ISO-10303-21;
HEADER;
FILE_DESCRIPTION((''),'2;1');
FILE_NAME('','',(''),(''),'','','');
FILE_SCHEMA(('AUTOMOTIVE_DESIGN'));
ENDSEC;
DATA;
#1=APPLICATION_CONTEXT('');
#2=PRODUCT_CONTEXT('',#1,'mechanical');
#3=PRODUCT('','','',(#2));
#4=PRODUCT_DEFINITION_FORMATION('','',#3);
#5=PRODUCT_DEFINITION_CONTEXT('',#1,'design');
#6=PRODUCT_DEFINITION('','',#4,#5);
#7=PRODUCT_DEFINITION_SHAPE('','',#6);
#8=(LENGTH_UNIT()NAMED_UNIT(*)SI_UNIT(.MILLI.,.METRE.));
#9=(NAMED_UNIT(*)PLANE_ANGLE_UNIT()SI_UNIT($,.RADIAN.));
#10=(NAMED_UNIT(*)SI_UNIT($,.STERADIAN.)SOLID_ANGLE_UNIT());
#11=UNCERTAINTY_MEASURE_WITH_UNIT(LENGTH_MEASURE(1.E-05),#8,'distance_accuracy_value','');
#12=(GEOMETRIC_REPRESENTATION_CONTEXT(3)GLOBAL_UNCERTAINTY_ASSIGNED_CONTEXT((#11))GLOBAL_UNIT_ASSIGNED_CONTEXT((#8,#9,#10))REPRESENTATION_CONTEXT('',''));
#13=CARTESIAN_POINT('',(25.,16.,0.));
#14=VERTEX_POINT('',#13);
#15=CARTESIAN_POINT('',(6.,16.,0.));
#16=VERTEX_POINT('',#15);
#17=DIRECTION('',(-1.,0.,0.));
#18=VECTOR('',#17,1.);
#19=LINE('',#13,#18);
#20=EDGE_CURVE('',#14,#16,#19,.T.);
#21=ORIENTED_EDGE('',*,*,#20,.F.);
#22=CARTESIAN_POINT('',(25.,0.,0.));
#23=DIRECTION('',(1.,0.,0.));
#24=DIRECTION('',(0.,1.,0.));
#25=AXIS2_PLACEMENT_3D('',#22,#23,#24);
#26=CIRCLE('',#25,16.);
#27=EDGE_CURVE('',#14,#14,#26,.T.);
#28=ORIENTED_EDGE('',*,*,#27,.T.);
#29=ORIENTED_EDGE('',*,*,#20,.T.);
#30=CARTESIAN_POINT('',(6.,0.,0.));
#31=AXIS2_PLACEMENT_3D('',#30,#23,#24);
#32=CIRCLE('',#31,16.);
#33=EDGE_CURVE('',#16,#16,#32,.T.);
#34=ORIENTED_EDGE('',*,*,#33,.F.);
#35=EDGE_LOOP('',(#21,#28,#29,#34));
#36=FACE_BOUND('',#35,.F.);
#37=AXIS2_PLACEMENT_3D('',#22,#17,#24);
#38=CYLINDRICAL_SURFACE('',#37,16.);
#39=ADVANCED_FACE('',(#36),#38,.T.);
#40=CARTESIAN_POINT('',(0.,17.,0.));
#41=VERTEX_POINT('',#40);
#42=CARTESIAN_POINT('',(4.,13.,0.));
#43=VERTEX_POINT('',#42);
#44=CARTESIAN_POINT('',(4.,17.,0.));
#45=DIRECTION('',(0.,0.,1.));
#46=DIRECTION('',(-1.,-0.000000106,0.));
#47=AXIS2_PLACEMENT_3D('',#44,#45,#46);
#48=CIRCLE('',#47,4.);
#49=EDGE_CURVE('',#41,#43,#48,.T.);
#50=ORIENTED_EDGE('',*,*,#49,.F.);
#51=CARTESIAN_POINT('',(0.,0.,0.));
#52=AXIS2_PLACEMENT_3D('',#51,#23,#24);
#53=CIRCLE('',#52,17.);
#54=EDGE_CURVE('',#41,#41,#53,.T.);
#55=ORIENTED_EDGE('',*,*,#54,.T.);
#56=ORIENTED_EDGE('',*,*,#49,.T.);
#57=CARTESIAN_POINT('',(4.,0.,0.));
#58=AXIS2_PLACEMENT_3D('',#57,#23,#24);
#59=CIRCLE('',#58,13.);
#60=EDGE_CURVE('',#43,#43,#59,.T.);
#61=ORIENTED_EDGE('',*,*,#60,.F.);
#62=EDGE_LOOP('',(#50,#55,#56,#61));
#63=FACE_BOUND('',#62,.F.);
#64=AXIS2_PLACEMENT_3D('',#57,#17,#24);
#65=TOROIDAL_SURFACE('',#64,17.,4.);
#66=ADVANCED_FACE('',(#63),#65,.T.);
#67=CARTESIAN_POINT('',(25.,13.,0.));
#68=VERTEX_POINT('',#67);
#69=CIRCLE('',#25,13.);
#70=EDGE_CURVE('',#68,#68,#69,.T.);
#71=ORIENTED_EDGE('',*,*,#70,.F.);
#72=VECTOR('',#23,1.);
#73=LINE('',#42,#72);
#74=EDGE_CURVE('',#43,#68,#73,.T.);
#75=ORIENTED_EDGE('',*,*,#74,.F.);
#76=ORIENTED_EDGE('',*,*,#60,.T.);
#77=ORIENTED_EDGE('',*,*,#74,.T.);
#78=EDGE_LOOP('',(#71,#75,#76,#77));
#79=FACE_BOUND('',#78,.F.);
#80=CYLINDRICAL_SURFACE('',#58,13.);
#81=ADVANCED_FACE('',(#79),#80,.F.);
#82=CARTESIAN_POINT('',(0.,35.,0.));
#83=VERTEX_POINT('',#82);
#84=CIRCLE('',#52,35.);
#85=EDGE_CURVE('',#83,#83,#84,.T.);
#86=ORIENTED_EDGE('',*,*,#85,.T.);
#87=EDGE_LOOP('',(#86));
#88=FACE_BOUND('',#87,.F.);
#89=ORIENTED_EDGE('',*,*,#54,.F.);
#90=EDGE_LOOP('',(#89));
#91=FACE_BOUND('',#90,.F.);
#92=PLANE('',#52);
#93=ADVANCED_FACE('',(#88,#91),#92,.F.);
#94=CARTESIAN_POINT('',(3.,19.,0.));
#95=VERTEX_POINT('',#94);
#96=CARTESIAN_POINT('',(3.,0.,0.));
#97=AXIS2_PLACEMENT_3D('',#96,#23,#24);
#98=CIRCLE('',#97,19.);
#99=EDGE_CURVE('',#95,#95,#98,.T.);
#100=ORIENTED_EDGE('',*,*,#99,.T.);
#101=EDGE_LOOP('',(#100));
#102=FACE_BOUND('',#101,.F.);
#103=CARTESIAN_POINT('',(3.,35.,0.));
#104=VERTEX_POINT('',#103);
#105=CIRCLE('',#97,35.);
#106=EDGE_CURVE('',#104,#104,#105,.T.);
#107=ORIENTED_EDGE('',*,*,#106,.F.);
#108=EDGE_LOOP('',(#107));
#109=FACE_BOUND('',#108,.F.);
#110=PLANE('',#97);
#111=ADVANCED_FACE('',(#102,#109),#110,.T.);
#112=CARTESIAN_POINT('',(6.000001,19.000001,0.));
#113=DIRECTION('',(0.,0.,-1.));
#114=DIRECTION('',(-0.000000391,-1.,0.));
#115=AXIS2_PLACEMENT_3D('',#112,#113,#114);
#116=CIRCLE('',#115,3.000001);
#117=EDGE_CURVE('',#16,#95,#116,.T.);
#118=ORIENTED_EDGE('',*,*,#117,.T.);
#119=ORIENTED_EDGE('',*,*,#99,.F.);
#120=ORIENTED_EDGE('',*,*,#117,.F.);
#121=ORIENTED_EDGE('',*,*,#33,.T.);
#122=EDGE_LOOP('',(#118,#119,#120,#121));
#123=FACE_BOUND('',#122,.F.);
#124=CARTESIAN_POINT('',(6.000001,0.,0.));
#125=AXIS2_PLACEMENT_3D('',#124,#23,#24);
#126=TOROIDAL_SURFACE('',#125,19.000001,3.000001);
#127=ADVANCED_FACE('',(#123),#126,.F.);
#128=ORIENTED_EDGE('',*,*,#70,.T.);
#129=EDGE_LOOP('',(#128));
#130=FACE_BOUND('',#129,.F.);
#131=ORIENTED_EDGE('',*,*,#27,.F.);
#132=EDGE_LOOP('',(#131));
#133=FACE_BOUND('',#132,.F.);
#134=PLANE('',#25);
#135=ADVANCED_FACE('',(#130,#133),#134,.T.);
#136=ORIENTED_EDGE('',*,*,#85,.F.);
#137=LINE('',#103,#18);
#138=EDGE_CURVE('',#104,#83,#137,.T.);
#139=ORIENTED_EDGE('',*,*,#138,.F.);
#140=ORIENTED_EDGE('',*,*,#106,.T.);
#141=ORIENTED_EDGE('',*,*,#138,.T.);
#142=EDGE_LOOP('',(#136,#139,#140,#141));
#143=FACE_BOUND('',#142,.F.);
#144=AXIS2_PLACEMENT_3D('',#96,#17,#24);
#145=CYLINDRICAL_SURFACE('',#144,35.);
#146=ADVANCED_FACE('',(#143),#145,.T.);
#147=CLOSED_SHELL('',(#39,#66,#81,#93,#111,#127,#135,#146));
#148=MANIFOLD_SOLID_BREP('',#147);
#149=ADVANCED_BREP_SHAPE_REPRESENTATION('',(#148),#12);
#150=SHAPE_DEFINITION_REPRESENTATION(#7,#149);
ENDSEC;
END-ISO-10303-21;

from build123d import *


with BuildPart() as f1:
    # F0 (on Top) → F1 (revolve)
    with BuildSketch(Plane.XY):
        with BuildLine():
            Line((0, 35), (0, 17))
            ThreePointArc((0, 17), (1.171573, 14.171573), (4, 13))
            Line((4, 13), (25, 13))
            Line((25, 13), (25, 16))
            Line((25, 16), (6, 16))
            ThreePointArc((6, 16), (3.87868, 16.87868), (3, 19))
            Line((3, 19), (3, 35))
            Line((3, 35), (0, 35))
        make_face()
    revolve(axis=Axis((13.279573, 0, 0), (1, 0, 0)))


solid = f1.part
